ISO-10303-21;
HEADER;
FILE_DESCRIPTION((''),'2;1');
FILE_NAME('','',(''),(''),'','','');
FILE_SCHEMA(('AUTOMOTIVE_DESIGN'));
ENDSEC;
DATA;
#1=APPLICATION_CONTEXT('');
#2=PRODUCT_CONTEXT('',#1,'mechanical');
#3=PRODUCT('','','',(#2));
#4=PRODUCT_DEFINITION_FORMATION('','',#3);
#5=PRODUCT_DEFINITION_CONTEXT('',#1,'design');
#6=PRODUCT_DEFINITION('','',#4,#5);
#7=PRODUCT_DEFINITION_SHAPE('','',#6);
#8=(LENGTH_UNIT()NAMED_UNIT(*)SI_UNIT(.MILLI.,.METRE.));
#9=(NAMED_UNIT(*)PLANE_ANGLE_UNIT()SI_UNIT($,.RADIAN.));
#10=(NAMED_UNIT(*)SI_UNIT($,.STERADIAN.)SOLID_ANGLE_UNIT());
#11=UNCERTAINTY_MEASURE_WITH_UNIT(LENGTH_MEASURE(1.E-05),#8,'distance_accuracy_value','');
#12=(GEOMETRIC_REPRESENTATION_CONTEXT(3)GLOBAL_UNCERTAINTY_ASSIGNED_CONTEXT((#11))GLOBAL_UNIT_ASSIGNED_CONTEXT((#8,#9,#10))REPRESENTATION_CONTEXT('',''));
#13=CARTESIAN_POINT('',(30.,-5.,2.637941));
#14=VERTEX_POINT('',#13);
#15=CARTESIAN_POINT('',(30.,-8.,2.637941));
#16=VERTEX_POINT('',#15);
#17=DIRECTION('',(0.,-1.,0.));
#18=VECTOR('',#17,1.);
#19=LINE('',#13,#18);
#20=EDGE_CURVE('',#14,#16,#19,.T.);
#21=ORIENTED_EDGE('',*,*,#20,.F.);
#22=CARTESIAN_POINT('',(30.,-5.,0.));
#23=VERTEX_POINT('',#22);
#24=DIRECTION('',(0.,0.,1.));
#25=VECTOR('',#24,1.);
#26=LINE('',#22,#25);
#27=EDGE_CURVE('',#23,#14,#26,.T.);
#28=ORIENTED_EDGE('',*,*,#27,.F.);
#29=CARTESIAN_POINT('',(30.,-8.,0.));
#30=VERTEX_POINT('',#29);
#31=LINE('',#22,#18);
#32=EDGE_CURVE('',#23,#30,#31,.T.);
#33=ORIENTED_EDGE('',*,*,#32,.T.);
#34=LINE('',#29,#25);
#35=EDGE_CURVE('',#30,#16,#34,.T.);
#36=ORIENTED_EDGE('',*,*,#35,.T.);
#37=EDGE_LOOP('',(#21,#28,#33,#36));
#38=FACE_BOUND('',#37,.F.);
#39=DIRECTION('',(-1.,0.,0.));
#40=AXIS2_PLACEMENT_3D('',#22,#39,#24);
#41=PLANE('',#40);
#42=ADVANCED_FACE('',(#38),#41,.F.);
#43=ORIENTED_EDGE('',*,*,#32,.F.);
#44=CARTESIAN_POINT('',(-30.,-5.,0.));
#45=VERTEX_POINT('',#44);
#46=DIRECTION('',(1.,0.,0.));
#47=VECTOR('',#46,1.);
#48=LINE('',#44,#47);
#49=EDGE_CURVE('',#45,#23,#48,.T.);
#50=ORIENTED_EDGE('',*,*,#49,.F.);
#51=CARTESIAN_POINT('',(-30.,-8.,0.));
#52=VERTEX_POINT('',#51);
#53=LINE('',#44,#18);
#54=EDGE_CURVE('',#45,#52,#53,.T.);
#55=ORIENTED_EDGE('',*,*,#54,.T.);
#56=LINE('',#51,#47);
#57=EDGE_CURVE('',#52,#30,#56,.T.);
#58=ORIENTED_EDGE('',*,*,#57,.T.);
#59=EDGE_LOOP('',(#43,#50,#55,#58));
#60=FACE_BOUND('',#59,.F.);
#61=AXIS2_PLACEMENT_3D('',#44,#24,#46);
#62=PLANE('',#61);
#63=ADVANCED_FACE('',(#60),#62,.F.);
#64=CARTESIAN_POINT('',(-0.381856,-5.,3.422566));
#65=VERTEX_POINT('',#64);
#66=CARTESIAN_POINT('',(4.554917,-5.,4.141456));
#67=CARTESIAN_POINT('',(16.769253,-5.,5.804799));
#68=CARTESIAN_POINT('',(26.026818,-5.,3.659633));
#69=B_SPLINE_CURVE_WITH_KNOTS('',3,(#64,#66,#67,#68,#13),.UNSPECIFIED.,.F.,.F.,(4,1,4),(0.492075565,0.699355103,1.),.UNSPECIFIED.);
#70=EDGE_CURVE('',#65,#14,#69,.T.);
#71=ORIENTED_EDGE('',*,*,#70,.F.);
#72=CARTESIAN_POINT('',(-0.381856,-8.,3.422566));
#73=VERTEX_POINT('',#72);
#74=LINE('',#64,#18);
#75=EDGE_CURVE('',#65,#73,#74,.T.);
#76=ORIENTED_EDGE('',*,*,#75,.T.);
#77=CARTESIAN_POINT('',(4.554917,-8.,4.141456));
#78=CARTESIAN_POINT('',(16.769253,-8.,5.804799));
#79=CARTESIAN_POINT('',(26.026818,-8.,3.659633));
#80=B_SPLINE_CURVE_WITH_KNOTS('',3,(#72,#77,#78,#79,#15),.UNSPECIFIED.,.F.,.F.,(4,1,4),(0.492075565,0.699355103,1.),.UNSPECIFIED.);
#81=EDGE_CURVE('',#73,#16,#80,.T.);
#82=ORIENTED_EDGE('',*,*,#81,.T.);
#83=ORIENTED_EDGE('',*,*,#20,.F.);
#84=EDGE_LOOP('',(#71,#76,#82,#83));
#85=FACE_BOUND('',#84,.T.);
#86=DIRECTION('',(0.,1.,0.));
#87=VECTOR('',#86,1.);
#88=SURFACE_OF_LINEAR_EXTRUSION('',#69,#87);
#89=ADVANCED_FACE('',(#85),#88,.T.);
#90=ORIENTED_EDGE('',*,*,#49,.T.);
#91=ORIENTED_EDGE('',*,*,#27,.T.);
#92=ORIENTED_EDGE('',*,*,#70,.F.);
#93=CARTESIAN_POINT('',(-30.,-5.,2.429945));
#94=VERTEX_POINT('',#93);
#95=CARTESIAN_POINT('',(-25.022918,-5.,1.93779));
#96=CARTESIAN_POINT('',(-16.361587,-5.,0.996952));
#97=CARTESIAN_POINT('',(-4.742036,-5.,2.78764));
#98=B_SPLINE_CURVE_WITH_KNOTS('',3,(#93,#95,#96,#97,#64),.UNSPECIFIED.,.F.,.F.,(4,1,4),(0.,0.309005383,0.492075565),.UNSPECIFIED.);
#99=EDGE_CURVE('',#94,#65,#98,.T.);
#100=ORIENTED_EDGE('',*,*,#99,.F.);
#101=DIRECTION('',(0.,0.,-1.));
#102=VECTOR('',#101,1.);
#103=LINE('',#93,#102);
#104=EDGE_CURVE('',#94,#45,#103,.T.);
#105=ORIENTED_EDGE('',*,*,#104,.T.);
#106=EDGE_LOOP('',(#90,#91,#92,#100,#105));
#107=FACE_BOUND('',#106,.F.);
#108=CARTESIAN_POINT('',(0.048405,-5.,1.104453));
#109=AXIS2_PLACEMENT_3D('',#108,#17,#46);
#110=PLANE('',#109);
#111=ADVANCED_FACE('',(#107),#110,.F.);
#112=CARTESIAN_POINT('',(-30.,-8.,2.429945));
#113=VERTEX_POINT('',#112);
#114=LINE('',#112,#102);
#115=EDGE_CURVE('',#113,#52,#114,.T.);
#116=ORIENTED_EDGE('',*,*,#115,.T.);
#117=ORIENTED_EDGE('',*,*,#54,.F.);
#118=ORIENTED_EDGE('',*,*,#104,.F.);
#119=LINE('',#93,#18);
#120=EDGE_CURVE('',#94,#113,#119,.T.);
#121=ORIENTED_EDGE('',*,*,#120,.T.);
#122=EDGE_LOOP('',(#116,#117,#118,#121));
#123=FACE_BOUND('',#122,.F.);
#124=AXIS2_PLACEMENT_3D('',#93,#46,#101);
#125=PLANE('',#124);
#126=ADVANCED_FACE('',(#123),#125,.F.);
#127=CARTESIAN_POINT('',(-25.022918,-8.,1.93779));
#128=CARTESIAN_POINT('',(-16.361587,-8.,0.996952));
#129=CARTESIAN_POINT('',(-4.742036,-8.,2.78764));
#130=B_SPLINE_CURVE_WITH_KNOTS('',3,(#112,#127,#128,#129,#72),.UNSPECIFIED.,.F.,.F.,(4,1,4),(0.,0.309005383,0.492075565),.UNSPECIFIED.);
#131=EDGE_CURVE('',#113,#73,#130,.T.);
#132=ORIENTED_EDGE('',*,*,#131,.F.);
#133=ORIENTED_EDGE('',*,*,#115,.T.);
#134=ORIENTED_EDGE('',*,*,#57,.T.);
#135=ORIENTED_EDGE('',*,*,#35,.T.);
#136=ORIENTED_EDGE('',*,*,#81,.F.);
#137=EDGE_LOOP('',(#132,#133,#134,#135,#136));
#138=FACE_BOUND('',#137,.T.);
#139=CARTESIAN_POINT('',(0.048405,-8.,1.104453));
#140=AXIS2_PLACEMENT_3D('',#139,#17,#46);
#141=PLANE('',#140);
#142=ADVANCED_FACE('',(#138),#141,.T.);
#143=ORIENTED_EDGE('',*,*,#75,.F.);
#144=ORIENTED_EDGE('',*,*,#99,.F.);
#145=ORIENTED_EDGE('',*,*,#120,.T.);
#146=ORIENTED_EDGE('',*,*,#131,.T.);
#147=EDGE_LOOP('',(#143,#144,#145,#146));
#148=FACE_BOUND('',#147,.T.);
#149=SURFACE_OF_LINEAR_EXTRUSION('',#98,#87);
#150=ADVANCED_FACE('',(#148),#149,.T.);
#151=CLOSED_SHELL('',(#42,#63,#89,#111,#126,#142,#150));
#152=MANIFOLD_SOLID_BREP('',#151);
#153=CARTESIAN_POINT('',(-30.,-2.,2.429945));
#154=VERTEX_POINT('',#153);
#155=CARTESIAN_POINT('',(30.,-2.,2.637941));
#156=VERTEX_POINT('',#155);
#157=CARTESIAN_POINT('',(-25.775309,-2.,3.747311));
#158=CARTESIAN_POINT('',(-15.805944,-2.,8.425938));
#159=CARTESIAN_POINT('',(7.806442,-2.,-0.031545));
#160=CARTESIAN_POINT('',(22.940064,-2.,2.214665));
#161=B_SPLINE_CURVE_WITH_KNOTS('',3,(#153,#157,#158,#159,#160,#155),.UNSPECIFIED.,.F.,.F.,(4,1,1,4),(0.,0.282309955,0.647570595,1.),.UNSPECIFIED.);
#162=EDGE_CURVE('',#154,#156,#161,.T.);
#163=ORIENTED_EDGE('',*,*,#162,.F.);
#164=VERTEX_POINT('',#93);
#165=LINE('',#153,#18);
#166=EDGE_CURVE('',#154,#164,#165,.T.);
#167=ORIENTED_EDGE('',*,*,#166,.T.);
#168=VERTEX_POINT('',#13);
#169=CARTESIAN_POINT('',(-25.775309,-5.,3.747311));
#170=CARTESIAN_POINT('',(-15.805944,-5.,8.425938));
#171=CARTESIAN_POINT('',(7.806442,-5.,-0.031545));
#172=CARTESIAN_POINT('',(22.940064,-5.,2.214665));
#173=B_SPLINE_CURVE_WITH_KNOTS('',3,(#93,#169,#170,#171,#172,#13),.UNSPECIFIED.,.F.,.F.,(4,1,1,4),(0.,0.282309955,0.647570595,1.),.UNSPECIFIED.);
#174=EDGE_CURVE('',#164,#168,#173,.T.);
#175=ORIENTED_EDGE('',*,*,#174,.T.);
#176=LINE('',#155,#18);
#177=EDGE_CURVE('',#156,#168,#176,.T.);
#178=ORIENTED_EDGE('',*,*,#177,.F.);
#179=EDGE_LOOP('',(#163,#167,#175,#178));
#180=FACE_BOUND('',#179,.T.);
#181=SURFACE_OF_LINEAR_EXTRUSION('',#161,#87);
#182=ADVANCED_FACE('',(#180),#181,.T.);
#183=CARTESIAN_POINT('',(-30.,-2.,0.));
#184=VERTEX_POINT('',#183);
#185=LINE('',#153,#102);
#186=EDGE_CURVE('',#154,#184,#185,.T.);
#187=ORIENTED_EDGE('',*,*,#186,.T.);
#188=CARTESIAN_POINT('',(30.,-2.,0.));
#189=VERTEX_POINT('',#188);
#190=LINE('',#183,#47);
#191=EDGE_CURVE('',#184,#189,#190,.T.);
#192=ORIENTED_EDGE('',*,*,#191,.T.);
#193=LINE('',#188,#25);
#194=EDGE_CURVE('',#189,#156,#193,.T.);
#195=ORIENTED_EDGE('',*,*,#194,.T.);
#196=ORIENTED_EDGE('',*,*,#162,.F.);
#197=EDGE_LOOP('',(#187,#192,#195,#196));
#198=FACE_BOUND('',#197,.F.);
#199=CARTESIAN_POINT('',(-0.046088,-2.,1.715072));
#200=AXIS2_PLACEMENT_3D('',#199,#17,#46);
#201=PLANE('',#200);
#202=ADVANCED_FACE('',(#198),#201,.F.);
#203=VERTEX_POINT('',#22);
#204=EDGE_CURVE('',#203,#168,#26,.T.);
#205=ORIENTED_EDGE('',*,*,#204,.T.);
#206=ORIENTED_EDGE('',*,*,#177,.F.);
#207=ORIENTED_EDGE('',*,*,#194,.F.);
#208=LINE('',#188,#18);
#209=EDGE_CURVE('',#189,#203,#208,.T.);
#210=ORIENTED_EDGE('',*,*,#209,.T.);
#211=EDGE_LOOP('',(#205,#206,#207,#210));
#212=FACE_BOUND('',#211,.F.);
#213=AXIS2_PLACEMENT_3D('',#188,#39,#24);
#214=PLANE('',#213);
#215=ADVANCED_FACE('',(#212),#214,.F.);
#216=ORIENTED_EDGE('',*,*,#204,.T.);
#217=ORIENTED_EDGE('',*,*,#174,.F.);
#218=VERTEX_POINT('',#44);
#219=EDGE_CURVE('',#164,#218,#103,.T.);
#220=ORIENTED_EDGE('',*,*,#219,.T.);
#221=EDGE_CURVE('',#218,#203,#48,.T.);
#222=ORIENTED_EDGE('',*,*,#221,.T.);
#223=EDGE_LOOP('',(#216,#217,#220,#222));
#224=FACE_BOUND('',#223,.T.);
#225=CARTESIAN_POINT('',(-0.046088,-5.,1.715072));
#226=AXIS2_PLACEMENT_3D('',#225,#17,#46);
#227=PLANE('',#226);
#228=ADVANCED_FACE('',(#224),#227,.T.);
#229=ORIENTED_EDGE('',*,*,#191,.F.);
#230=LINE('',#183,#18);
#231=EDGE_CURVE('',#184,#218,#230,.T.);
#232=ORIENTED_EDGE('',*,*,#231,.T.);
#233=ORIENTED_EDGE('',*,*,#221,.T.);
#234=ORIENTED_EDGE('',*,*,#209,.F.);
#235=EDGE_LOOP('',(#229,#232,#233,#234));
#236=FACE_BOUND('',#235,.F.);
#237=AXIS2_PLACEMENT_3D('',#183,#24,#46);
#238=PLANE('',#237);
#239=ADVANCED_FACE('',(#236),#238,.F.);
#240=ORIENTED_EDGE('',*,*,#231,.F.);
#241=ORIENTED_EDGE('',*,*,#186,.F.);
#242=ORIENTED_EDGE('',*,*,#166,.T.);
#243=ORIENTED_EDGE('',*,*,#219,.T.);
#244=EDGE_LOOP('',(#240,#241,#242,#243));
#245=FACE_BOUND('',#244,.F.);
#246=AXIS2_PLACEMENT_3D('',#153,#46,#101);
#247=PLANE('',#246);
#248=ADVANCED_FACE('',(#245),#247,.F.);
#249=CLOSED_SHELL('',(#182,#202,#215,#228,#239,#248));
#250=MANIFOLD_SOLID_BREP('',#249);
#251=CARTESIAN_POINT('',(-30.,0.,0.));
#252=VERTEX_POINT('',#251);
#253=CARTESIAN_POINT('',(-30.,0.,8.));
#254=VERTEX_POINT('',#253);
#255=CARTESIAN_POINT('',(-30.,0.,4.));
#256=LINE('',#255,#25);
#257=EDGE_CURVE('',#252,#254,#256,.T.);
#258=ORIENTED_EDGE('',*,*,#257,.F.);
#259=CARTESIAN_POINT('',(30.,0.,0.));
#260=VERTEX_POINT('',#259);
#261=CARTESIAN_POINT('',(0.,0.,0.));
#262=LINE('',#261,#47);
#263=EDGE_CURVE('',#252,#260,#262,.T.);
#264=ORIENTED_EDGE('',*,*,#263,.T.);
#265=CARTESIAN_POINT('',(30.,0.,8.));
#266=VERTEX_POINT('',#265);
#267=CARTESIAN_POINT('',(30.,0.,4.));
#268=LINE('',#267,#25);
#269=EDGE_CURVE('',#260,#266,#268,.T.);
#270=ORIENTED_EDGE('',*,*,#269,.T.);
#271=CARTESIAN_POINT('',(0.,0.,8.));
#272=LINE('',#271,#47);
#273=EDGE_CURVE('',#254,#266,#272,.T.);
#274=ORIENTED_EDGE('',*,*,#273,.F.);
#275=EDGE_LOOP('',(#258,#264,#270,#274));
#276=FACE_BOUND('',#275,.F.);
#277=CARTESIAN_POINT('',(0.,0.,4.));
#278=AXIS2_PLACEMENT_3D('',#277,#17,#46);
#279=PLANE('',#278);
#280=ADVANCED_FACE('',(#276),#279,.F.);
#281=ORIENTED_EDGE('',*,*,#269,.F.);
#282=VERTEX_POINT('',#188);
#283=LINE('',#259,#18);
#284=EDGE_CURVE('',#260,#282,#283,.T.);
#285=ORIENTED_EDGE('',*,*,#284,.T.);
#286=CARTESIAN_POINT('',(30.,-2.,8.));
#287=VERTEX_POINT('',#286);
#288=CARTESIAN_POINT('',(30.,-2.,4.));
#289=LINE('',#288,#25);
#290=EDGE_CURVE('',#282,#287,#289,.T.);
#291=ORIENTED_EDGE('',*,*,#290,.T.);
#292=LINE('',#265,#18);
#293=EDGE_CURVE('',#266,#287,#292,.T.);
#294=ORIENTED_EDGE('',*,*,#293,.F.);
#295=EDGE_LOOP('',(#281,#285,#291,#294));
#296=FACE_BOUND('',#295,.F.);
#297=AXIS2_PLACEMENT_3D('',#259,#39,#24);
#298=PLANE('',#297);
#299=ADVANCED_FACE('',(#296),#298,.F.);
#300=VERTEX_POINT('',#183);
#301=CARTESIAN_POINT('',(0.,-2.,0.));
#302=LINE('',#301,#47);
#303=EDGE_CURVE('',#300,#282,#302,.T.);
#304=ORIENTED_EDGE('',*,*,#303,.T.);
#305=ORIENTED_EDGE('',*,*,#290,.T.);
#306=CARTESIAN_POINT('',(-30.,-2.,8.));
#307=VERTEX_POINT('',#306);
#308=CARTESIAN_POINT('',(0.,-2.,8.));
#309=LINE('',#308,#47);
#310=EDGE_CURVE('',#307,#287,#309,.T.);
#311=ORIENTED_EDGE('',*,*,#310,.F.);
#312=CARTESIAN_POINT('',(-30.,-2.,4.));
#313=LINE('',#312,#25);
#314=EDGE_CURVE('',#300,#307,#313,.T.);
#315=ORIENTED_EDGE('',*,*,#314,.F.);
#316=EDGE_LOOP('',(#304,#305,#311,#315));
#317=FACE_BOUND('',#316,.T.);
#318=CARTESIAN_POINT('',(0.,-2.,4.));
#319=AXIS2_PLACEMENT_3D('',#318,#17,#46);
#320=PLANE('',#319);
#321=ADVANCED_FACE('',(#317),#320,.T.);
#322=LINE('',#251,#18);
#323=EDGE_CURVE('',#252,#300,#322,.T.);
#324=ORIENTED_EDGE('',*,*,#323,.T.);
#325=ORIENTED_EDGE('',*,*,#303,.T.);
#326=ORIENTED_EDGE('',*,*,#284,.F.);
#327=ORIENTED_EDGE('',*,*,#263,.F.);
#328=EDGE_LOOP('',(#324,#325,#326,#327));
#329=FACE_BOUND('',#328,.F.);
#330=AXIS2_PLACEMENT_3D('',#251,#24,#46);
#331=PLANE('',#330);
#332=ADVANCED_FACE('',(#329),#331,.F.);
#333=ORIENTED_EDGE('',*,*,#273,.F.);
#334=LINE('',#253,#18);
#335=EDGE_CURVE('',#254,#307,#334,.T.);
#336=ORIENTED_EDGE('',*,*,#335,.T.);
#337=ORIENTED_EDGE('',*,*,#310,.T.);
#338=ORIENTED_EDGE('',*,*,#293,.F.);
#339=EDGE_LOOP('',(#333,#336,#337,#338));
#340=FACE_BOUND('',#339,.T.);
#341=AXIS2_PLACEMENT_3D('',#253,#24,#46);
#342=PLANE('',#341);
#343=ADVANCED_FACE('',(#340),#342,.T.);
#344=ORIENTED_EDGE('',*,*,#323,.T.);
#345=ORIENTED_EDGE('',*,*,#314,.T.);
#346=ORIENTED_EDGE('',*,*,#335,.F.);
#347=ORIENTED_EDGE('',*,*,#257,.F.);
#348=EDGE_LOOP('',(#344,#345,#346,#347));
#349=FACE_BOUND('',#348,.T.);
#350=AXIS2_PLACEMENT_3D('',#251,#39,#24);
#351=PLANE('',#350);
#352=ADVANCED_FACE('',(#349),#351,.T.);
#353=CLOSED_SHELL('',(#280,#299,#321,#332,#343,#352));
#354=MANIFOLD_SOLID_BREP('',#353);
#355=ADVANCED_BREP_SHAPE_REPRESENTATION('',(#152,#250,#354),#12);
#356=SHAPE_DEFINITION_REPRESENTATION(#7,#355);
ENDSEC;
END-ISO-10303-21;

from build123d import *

# Parameters (mm, degrees)
F0_W     = 60
F0_H     = 8
F1_DEPTH = 2
F3_DEPTH = 3
F5_DEPTH = 3


with BuildPart() as f1:
    # F0 (on Front) → F1 (new body)
    with BuildSketch(Plane.XZ):
        with Locations((0, 4)):
            Rectangle(F0_W, F0_H)
    extrude(amount=F1_DEPTH)


with BuildPart() as f3:
    # F2 (on face) → F3 (new body)
    with BuildSketch(Plane.XZ.offset(2)):
        with BuildLine():
            Line((30, 0), (30, 2.6379409246))
            add(Edge.make_bspline(
                [(-30, 2.4299453944), (-25.7753089442, 3.7473113683), (-15.8059440997, 8.4259376352), (7.8064424043, -0.0315454429), (22.9400642828, 2.2146652387), (30, 2.6379409246)],
                knots=[0, 0, 0, 0, 0.2823099555, 0.6475705955, 1, 1, 1, 1], degree=3))
            Line((-30, 2.4299453944), (-30, 0))
            Line((-30, 0), (30, 0))
        make_face()
    extrude(amount=F3_DEPTH)


with BuildPart() as f5:
    # F4 (on face) → F5 (new body)
    with BuildSketch(Plane.XZ.offset(5)):
        with BuildLine():
            Line((30, 0), (30, 2.6379409246))
            add(Edge.make_bspline(
                [(-0.3818561897, 3.4225663377), (2.2921859732, 2.848791241), (13.0066260243, 0.7402927917), (22.9400642828, 2.2146652387), (30, 2.6379409246)],
                knots=[0.5289211134, 0.5289211134, 0.5289211134, 0.5289211134, 0.6475705955, 1, 1, 1, 1], degree=3))
            add(Edge.make_bspline(
                [(-30, 2.4299453944), (-25.0229177526, 1.9377897531), (-16.3615874818, 0.9969518948), (-4.7420355501, 2.7876398307), (-0.3818561897, 3.4225663377)],
                knots=[0, 0, 0, 0, 0.3090053833, 0.4920755652, 0.4920755652, 0.4920755652, 0.4920755652], degree=3))
            Line((-30, 2.4299453944), (-30, 0))
            Line((-30, 0), (30, 0))
        make_face()
        with BuildLine():
            add(Edge.make_bspline(
                [(-0.3818561897, 3.4225663377), (2.2921859732, 2.848791241), (13.0066260243, 0.7402927917), (22.9400642828, 2.2146652387), (30, 2.6379409246)],
                knots=[0.5289211134, 0.5289211134, 0.5289211134, 0.5289211134, 0.6475705955, 1, 1, 1, 1], degree=3))
            add(Edge.make_bspline(
                [(-0.3818561897, 3.4225663377), (4.5549169776, 4.1414560631), (16.7692529019, 5.8047993769), (26.0268184921, 3.6596331068), (30, 2.6379409246)],
                knots=[0.4920755652, 0.4920755652, 0.4920755652, 0.4920755652, 0.6993551029, 1, 1, 1, 1], degree=3))
        make_face()
    extrude(amount=F5_DEPTH)


solid = Compound([f1.part, f3.part, f5.part])
